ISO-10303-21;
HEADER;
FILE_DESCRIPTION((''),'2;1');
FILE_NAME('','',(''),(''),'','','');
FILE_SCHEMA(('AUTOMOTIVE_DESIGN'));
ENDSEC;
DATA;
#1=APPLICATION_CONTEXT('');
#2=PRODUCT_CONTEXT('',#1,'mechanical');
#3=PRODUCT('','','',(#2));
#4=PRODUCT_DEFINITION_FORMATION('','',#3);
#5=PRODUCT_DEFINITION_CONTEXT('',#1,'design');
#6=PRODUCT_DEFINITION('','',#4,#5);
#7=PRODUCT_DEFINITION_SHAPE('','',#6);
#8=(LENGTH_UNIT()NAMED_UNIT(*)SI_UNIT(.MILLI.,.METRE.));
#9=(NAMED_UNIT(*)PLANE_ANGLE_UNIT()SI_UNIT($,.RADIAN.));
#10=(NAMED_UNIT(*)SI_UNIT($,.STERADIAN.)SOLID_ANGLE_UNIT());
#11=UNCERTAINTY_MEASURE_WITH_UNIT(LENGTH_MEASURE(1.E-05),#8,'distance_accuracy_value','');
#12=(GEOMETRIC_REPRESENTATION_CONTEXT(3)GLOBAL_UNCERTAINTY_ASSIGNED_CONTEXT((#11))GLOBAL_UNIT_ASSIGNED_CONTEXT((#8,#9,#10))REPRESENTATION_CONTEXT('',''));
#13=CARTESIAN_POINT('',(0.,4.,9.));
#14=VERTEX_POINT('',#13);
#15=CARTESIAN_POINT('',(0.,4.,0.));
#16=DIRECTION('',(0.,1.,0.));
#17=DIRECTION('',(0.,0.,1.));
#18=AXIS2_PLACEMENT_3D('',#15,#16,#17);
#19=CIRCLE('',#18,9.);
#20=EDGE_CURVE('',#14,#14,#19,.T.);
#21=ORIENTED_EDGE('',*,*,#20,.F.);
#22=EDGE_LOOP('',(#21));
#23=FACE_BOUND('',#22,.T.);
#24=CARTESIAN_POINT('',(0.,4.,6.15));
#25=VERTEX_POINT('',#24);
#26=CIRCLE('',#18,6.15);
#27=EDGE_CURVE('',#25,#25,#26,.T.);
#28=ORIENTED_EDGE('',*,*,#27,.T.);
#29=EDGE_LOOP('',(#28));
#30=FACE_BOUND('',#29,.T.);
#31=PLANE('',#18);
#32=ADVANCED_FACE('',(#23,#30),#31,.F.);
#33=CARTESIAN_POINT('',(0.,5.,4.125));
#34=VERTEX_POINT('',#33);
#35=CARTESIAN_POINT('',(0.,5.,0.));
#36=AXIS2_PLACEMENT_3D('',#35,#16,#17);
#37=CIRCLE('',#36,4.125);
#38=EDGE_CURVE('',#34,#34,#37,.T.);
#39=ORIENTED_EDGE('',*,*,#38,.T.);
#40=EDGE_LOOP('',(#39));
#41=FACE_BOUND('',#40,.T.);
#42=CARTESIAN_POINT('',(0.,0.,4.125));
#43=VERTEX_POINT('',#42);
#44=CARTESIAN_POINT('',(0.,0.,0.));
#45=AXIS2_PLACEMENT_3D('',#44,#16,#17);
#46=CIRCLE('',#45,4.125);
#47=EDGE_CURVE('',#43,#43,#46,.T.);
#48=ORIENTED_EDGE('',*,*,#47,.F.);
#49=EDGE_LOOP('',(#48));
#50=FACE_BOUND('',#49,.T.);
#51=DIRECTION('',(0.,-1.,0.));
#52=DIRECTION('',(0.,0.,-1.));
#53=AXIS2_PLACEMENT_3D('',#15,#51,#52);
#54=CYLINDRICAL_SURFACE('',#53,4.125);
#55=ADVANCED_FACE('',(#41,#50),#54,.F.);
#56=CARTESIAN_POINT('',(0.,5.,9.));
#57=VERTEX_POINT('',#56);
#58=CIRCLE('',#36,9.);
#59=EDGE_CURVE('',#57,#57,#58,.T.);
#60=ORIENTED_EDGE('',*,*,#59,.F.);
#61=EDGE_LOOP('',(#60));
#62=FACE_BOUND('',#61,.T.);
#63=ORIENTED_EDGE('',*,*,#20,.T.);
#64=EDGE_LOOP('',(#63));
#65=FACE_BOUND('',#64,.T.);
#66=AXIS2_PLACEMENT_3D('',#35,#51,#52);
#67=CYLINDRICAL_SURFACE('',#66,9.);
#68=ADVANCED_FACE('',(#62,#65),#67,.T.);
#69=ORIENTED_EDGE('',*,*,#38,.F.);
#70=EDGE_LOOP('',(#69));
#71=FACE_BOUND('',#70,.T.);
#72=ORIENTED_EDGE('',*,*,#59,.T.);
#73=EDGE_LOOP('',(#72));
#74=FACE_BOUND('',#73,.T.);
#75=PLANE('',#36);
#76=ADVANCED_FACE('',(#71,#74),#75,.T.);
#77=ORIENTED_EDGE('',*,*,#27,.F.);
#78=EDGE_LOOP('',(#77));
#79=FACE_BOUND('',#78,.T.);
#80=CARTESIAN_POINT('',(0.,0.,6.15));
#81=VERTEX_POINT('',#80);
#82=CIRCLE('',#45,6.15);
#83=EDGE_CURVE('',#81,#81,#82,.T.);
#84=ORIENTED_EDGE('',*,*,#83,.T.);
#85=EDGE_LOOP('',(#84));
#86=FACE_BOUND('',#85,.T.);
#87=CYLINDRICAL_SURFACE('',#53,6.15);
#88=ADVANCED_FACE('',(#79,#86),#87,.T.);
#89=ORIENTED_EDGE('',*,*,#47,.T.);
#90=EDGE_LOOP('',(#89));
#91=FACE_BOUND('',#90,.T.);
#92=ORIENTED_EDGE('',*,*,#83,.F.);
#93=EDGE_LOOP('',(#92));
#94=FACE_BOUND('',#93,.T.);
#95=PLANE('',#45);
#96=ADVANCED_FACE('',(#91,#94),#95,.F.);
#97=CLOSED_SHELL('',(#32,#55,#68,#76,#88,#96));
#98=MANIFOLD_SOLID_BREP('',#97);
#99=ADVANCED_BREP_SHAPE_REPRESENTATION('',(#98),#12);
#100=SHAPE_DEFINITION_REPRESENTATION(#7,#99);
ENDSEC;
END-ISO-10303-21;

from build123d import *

# Parameters (mm, degrees)
SKETCH1_R           = 6.15
SKETCH1_R_2         = 4.125
BOSS_EXTRUDE1_DEPTH = 4
SKETCH2_R           = 9
SKETCH2_R_2         = 4.125
BOSS_EXTRUDE2_DEPTH = 1


with BuildPart() as part:
    # Sketch1 → Boss-Extrude1 (new body)
    with BuildSketch(Plane(origin=(0, 0, 0), x_dir=(1, 0, 0), z_dir=(0, 1, 0))):
        Circle(SKETCH1_R)
        Circle(SKETCH1_R_2, mode=Mode.SUBTRACT)
    extrude(amount=BOSS_EXTRUDE1_DEPTH)

    # Sketch2 → Boss-Extrude2 (add)
    with BuildSketch(Plane(origin=(0, 4, 0), x_dir=(1, 0, 0), z_dir=(0, 1, 0))):
        Circle(SKETCH2_R)
        Circle(SKETCH2_R_2, mode=Mode.SUBTRACT)
    extrude(amount=BOSS_EXTRUDE2_DEPTH)


solid = part.part
